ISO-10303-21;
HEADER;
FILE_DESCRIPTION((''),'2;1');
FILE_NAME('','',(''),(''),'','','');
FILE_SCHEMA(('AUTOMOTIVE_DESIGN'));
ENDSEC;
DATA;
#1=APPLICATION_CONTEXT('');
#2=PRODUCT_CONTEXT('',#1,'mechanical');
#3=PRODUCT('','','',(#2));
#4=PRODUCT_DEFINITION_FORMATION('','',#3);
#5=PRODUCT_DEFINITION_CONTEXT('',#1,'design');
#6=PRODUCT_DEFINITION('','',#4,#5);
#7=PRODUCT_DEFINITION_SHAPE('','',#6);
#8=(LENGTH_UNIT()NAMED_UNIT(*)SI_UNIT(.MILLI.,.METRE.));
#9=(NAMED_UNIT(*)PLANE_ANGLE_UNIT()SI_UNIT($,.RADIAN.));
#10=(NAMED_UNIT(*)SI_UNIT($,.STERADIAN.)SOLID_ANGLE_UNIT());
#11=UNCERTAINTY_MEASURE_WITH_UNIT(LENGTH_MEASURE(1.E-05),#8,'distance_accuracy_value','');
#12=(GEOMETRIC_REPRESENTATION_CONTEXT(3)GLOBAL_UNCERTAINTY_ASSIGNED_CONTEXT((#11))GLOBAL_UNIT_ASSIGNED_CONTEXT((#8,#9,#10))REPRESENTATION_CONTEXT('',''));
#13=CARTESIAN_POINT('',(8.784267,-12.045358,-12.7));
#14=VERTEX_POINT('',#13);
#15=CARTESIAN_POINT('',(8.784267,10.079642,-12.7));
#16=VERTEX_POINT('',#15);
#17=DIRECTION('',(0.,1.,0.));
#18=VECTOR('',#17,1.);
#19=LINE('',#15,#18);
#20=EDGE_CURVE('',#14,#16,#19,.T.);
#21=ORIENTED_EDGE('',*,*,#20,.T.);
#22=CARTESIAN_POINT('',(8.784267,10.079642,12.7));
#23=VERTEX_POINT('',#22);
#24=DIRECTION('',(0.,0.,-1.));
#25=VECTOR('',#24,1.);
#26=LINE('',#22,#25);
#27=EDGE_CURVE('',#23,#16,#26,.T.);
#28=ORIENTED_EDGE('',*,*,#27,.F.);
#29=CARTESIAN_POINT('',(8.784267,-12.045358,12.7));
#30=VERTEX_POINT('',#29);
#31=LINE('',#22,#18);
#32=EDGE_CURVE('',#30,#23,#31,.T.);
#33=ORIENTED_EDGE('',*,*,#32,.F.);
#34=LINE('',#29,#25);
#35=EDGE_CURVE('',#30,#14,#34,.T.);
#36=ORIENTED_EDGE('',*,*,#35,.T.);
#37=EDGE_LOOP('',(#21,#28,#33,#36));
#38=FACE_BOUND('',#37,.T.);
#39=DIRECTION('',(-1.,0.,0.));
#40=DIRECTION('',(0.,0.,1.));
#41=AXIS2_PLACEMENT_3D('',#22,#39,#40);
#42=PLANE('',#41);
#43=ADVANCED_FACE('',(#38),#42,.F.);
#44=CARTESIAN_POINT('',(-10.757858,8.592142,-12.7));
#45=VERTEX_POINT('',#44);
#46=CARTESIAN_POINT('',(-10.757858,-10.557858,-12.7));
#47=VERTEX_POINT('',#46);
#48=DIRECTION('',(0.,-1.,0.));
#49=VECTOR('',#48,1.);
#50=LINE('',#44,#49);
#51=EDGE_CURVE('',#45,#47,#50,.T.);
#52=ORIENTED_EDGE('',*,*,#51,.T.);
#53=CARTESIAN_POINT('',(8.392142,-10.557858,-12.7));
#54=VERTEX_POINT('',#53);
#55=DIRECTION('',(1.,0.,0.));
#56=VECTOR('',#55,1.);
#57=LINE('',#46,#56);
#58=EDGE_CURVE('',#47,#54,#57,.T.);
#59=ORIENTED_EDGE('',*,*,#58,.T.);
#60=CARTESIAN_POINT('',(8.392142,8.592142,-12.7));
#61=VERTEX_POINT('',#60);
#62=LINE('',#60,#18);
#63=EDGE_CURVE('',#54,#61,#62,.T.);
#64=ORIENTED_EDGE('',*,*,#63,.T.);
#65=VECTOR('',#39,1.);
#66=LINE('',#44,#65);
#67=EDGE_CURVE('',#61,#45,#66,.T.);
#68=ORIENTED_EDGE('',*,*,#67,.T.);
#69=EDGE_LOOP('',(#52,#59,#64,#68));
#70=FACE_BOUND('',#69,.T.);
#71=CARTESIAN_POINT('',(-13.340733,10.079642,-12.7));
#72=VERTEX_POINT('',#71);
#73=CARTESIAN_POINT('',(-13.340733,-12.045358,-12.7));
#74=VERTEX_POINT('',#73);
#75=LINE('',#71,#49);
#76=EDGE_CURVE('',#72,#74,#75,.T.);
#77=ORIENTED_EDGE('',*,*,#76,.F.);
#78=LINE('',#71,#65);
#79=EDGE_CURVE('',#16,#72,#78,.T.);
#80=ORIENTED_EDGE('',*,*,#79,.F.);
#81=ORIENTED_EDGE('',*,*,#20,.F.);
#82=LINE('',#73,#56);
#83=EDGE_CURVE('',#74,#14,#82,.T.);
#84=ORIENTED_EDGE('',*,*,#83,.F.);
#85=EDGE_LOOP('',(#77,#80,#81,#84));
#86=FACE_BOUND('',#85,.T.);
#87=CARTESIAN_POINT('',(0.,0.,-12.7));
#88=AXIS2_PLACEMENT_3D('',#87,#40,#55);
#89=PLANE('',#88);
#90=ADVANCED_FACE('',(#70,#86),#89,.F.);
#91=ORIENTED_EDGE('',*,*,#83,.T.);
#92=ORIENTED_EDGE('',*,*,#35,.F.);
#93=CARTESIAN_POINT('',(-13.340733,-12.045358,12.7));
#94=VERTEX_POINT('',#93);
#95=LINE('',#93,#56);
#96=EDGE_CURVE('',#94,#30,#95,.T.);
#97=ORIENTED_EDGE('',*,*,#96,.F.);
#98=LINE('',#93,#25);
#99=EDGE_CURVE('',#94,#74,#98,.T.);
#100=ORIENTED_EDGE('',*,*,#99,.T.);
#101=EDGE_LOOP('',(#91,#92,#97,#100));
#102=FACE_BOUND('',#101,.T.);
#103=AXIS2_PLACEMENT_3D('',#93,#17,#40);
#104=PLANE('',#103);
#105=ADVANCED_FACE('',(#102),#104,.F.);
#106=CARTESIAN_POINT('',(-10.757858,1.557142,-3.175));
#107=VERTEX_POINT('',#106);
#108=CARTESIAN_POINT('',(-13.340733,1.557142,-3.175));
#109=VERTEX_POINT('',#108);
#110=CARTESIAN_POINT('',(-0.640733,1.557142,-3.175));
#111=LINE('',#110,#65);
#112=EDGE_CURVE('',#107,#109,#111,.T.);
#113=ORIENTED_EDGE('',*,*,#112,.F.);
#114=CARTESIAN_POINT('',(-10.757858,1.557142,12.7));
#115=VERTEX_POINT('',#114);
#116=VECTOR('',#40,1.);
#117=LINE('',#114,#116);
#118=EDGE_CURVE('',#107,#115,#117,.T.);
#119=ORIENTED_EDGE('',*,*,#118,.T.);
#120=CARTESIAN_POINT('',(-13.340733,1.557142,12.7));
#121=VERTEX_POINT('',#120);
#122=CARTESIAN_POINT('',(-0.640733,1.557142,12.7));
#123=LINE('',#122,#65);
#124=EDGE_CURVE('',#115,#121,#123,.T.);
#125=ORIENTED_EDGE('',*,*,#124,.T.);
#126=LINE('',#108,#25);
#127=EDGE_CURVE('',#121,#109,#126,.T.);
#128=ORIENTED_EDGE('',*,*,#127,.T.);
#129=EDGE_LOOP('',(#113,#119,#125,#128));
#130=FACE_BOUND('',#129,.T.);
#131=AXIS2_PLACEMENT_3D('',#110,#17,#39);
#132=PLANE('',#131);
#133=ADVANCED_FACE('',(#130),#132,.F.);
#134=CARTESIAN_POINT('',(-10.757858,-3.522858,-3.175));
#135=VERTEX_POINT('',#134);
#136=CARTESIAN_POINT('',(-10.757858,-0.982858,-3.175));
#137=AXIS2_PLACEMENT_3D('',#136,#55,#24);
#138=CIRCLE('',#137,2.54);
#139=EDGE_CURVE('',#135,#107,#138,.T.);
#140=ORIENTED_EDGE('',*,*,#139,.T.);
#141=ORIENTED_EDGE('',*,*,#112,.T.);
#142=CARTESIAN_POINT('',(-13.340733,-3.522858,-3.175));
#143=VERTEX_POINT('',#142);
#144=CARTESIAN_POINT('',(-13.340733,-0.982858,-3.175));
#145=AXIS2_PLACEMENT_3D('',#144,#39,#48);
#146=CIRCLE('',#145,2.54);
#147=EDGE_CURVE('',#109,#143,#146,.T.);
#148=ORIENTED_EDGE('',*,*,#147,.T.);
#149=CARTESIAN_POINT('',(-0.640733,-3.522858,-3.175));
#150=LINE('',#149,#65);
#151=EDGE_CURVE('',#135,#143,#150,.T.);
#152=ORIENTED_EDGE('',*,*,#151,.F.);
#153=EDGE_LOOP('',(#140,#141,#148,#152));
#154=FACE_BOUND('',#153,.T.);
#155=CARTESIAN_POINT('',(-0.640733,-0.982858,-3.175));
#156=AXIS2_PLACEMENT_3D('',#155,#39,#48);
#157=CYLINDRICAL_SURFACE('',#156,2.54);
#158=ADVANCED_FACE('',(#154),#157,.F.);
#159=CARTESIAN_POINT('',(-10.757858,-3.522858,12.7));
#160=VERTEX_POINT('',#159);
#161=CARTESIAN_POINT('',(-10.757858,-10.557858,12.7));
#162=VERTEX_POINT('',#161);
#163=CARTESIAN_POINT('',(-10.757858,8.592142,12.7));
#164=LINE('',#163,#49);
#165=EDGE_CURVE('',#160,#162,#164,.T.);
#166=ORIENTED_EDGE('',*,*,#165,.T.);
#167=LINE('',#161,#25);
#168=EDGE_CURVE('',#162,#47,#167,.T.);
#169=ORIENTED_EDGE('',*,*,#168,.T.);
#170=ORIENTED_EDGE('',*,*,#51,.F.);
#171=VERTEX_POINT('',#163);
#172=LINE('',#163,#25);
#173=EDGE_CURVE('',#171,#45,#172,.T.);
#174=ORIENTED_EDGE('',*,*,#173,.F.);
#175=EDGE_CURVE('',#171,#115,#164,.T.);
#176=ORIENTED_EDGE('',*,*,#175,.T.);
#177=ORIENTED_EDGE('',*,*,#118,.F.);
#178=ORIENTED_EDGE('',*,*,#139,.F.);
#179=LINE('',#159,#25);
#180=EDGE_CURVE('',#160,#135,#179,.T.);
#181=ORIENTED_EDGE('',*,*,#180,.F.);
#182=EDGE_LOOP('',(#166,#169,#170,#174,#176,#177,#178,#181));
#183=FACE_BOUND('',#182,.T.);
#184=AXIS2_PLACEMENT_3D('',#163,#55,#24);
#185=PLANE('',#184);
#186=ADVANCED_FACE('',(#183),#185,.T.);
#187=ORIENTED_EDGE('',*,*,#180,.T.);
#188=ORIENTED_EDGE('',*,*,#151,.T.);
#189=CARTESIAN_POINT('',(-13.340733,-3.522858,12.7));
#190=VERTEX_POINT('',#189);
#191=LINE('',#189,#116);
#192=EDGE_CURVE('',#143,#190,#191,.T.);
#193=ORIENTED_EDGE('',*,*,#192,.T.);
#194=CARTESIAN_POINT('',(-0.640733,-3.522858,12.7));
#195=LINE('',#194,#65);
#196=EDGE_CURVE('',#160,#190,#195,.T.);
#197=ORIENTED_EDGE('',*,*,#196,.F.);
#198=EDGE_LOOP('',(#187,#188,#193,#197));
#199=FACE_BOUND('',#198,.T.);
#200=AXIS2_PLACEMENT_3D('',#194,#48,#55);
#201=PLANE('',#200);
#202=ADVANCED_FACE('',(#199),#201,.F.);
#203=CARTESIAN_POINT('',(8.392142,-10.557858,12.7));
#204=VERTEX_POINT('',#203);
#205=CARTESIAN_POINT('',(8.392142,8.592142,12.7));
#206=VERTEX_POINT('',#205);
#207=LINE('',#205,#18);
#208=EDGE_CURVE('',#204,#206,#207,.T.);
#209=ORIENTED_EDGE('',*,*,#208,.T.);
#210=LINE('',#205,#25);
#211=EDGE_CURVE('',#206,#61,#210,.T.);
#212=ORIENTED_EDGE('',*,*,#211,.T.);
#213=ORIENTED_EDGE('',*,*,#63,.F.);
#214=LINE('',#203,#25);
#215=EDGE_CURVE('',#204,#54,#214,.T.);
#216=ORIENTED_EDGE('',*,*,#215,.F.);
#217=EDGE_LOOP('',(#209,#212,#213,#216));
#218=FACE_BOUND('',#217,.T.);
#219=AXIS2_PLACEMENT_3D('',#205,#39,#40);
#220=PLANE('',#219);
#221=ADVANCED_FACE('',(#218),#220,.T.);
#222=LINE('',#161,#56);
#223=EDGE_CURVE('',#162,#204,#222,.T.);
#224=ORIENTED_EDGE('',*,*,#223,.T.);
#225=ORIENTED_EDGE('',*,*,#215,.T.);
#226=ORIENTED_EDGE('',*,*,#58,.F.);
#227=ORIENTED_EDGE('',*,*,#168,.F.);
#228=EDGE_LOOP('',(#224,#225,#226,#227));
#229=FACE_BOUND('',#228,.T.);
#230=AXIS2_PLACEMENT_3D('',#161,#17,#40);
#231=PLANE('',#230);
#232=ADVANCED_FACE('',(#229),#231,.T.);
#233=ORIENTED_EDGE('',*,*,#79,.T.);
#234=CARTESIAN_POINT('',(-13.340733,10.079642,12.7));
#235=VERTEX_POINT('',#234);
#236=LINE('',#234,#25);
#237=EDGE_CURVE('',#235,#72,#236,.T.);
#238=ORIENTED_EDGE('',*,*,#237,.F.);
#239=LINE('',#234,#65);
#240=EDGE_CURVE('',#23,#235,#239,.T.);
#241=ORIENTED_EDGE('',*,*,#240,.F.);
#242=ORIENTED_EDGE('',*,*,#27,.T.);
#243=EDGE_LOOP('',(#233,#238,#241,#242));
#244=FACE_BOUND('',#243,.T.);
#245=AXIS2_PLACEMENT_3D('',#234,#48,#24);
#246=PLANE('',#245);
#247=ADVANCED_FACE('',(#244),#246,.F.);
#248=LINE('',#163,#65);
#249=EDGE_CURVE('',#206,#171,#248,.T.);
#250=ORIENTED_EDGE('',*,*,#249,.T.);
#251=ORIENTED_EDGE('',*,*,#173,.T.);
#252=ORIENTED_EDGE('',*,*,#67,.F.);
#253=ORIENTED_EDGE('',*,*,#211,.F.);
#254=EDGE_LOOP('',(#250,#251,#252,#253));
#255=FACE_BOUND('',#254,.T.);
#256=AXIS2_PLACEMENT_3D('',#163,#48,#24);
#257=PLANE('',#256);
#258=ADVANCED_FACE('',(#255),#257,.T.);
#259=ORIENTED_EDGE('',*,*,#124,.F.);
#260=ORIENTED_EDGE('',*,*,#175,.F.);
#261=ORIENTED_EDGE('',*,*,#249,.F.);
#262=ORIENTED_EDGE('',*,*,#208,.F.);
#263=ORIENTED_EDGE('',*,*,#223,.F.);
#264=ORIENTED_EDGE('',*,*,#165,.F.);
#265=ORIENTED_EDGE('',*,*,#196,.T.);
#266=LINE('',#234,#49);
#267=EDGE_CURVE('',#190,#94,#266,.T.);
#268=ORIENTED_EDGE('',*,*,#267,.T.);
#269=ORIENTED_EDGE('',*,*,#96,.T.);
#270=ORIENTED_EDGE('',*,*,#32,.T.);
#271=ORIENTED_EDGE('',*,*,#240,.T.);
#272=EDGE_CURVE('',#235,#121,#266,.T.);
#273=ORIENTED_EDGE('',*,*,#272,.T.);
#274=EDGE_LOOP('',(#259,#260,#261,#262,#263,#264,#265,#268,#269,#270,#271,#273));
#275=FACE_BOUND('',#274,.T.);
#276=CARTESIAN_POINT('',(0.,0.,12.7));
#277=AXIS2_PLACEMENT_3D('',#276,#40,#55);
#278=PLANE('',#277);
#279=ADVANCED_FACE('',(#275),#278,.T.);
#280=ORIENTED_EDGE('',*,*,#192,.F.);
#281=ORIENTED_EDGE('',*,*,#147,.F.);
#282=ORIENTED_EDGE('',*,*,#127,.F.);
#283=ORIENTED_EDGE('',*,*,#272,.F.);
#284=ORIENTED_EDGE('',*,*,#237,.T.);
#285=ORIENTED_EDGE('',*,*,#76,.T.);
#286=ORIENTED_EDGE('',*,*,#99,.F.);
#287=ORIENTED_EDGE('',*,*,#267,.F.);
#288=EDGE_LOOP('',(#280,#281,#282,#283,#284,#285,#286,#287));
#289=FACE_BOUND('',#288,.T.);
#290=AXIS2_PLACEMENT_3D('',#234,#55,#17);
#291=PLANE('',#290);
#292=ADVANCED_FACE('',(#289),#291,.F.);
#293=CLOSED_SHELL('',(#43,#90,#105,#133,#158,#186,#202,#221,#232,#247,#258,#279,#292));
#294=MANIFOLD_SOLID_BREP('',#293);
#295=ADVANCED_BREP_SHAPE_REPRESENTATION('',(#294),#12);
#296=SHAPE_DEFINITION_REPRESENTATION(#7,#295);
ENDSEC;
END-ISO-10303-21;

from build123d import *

# Parameters (mm, degrees)
SKETCH1_W           = 22.125
SKETCH1_H           = 22.125
SKETCH1_W_2         = 19.15
SKETCH1_H_2         = 19.15
BOSS_EXTRUDE1_DEPTH = 12.7
CUT_EXTRUDE1_DEPTH  = 12.7


with BuildPart() as part:
    # Sketch1 → Boss-Extrude1 (new body, symmetric)
    with BuildSketch(Plane.XY):
        with Locations((-2.278232981, -0.982857981)):
            Rectangle(SKETCH1_W, SKETCH1_H)
        with Locations((-1.182857981, -0.982857981)):
            Rectangle(SKETCH1_W_2, SKETCH1_H_2, mode=Mode.SUBTRACT)
    extrude(amount=BOSS_EXTRUDE1_DEPTH, both=True)

    # Sketch2 → Cut-Extrude1 (cut)
    with BuildSketch(Plane.ZY.offset(13.340732981)):
        with BuildLine():
            Line((-3.175, 1.557142019), (12.7, 1.557142019))
            Line((12.7, 1.557142019), (12.7, -3.522857981))
            Line((12.7, -3.522857981), (-3.175, -3.522857981))
            ThreePointArc((-3.175, -3.522857981), (-5.715, -0.982857981), (-3.175, 1.557142019))
        make_face()
    extrude(amount=-CUT_EXTRUDE1_DEPTH, mode=Mode.SUBTRACT)


solid = part.part
